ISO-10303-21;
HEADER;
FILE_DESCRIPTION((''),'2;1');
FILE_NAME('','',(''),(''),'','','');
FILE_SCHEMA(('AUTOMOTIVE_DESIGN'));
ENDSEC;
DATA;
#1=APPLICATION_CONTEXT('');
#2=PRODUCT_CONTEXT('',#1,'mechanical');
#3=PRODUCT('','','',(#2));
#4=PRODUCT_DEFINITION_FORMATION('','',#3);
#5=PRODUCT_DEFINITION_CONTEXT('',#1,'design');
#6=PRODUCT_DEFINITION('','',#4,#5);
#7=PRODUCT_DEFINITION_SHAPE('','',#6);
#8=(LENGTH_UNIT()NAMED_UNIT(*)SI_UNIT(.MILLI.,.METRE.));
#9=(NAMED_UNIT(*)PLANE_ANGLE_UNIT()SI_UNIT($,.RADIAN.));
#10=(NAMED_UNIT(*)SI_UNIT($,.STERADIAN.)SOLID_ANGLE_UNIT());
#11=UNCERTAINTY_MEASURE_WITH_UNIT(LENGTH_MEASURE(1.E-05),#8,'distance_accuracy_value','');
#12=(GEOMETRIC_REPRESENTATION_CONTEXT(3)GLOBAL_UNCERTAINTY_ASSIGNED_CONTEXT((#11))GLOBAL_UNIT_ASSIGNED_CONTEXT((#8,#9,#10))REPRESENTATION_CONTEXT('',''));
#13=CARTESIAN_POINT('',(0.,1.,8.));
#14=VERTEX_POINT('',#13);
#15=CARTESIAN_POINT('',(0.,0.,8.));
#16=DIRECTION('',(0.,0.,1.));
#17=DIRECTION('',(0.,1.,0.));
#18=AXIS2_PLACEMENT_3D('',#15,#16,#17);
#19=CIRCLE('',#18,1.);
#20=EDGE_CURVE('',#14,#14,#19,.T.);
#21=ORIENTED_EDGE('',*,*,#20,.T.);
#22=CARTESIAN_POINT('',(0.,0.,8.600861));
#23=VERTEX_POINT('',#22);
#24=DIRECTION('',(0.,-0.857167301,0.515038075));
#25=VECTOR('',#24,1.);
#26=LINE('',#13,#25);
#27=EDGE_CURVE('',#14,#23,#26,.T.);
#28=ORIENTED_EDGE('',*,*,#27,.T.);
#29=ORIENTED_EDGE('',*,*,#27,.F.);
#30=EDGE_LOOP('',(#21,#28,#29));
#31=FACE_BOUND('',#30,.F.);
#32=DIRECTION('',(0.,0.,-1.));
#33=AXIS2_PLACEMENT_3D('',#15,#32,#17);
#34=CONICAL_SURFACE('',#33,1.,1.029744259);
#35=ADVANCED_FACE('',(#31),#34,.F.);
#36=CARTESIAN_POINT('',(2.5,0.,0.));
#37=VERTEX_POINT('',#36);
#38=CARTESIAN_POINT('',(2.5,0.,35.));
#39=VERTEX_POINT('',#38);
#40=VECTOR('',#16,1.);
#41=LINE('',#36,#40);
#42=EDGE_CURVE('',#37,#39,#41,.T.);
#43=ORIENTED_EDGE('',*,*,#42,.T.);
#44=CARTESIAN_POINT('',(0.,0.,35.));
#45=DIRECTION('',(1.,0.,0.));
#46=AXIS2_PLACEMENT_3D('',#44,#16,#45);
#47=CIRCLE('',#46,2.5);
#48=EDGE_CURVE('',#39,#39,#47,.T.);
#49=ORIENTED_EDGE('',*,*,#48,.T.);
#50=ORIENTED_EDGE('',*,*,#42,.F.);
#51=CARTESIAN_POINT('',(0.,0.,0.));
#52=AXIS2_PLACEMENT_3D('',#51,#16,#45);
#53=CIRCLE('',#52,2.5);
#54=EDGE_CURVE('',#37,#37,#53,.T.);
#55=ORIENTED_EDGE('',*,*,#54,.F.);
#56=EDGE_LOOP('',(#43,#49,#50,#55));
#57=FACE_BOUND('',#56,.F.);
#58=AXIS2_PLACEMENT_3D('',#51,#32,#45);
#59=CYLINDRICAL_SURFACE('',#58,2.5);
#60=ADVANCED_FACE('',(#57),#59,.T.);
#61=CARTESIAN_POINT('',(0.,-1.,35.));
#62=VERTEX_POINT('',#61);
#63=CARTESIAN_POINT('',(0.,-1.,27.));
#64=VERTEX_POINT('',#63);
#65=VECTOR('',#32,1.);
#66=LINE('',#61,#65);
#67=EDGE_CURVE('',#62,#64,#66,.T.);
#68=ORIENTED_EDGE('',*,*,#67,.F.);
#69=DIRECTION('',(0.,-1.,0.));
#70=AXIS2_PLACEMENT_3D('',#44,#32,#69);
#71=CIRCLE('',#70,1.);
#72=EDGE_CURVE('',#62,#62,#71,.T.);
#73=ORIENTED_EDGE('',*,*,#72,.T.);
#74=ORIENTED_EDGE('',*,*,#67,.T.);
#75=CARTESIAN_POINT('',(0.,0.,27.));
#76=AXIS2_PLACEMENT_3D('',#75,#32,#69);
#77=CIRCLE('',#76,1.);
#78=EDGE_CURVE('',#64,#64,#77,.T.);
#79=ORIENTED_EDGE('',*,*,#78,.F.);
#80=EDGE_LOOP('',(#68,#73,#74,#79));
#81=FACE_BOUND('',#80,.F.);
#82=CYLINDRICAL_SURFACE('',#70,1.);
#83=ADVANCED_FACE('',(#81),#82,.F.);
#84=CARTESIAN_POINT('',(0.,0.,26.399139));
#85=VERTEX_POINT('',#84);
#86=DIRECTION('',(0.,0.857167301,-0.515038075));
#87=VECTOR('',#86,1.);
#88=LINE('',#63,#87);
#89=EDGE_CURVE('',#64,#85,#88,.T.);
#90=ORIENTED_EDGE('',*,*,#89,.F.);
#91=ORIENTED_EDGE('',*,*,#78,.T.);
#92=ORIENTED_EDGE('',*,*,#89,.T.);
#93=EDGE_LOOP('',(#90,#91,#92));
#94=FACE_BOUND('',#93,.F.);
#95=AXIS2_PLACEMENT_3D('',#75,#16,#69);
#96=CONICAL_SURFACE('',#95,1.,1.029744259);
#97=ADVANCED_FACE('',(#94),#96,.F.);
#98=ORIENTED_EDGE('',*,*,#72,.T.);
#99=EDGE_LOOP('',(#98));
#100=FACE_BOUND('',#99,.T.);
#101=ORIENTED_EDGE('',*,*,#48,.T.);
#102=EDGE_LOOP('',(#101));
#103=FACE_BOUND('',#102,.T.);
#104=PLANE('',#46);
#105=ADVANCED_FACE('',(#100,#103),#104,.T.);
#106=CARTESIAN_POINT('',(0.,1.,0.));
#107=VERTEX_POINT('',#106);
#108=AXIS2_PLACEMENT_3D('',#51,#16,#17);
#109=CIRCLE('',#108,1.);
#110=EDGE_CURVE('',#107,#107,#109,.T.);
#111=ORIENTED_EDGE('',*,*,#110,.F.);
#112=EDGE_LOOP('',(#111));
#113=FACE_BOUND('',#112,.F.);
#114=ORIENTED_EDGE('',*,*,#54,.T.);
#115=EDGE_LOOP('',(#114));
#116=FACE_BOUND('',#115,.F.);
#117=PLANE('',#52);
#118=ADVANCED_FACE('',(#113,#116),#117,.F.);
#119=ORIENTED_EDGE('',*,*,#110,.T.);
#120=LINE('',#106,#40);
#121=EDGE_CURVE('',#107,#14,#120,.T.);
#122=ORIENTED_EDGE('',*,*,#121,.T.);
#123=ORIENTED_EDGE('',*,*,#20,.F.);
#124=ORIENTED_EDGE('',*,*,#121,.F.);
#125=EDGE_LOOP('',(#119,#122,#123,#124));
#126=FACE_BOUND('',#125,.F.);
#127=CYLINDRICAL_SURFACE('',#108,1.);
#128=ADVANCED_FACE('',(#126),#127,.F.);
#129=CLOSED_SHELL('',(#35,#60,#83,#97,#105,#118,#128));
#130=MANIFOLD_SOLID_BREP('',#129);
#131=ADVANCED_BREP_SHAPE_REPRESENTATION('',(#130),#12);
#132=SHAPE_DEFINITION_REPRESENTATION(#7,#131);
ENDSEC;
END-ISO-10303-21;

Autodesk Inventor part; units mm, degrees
ref_plane "YZ Plane" through (0, 0, 0) normal (1, 0, 0) x (0, 1, 0)
ref_plane "XZ Plane" through (0, 0, 0) normal (0, 1, 0) x (-1, 0, 0)
ref_plane "XY Plane" through (0, 0, 0) normal (0, 0, 1) x (1, 0, 0)
sketch "Esquisse1" plane through (0, 0, 0) normal (0, 0, 1) x (1, 0, 0)
  circle A0 centre (0, 0) radius 2.5
  dimension "d0" = 5
extrude "Extrusion1" add sketch "Esquisse1" along normal blind 35
sketch "Esquisse2" plane through (0, 0, 35) normal (0, 0, 1) x (1, 0, 0)
  point P0 (0, 0)
  point P1 (0, 0)
sketch "Esquisse3" plane through (0, 0, 0) normal (0, 0, -1) x (-1, 0, 0)
  point P0 (0, 0)
  point P1 (0, 0)
hole "Perçage1" at (0, 0, 0) direction (0, 0, 1) diameter 2 depth 8 tip angle 118
hole "Perçage2" at (0, 0, 35) direction (0, 0, -1) diameter 2 depth 8 tip angle 118
properties part number "elevateur support"
